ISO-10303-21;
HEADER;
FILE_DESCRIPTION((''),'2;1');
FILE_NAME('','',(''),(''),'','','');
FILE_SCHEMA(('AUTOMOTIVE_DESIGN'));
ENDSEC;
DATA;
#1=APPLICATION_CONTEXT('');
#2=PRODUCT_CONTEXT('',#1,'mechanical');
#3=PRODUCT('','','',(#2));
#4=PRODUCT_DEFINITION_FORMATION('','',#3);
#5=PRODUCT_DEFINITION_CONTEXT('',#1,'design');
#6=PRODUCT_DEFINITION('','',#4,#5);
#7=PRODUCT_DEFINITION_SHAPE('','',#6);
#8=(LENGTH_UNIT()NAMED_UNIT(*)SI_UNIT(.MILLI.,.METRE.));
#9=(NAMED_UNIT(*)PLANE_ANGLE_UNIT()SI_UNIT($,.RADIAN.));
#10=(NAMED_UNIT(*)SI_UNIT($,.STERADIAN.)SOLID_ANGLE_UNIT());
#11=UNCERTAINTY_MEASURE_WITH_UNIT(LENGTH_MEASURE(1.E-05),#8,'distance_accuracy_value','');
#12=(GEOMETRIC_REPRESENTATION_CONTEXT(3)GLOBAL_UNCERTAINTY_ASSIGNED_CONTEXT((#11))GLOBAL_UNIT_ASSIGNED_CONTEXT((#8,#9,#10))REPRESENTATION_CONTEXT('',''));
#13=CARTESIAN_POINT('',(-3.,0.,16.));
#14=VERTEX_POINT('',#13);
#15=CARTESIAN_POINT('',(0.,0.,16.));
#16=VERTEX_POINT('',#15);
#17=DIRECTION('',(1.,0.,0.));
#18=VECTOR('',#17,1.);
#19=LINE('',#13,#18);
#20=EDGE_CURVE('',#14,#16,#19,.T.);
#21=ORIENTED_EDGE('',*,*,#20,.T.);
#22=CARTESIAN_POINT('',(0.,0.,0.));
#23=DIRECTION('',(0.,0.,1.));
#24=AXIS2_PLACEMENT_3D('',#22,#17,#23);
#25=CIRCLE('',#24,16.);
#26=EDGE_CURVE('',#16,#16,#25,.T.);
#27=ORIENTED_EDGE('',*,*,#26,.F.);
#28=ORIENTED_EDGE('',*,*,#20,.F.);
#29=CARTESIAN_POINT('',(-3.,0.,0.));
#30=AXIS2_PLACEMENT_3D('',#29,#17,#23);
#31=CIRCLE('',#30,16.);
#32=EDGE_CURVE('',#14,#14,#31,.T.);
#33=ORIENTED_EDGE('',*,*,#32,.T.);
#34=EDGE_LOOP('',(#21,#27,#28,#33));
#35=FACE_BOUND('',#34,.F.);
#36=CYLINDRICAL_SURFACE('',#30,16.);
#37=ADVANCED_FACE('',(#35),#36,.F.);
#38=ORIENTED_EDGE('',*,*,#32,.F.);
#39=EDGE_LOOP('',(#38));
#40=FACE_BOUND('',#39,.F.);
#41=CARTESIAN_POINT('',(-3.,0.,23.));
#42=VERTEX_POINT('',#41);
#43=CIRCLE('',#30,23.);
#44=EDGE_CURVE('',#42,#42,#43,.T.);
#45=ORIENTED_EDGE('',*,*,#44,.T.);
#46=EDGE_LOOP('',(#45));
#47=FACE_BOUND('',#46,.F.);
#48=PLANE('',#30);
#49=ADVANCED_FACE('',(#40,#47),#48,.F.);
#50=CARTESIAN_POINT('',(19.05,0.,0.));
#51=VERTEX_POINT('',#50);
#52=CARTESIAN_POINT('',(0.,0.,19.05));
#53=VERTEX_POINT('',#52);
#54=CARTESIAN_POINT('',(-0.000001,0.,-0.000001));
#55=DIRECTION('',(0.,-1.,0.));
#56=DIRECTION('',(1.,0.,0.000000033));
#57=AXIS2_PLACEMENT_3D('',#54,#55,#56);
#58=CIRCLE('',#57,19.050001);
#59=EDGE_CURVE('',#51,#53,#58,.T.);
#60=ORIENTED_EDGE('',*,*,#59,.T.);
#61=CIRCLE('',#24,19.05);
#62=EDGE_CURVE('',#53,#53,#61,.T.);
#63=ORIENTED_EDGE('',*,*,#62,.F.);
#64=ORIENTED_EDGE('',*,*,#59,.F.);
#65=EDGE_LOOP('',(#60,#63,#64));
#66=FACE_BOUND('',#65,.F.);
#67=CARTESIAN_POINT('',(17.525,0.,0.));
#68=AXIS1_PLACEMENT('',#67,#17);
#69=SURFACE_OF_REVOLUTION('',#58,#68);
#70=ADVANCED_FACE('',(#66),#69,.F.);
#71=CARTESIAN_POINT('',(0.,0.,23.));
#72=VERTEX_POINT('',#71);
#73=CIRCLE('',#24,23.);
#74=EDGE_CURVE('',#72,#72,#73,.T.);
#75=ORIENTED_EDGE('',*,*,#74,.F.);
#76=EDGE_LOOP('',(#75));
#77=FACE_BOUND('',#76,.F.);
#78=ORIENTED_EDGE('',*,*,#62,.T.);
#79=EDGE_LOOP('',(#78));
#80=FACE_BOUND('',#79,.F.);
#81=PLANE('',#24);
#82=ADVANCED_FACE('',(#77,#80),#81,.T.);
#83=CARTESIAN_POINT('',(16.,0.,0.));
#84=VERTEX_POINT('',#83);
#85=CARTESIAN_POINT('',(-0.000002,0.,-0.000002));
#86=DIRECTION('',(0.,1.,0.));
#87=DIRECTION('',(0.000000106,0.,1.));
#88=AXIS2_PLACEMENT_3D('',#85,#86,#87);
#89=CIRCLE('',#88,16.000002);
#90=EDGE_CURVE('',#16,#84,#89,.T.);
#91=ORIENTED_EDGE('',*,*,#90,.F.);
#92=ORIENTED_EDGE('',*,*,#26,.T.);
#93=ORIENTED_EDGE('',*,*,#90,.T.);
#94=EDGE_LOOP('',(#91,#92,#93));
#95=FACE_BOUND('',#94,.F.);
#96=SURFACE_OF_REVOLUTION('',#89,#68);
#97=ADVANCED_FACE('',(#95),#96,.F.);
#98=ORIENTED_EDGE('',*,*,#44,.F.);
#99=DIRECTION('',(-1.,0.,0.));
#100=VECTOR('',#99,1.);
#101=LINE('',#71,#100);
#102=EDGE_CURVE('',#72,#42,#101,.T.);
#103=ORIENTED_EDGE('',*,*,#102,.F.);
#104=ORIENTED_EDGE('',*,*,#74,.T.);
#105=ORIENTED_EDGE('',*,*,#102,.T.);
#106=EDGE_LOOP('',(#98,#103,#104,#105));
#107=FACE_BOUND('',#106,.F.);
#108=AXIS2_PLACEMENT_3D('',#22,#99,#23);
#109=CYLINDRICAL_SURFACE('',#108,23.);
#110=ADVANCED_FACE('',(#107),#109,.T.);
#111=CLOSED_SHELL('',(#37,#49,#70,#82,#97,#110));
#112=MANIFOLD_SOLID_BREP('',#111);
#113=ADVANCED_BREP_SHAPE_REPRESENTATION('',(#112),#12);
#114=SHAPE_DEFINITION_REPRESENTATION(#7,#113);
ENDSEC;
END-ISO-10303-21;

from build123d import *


with BuildPart() as f1:
    # F0 (on Front) → F1 (revolve)
    with BuildSketch(Plane.XZ):
        with BuildLine():
            Line((16, 0), (19.05, 0))
            ThreePointArc((19.05, 0), (13.470384, 13.470384), (0, 19.05))
            Line((0, 19.05), (0, 23))
            Line((0, 23), (-3, 23))
            Line((-3, 23), (-3, 16))
            Line((-3, 16), (0, 16))
            ThreePointArc((0, 16), (11.313708, 11.313708), (16, 0))
        make_face()
    revolve(axis=Axis((17.525, 0, 0), (1, 0, 0)))


solid = f1.part
